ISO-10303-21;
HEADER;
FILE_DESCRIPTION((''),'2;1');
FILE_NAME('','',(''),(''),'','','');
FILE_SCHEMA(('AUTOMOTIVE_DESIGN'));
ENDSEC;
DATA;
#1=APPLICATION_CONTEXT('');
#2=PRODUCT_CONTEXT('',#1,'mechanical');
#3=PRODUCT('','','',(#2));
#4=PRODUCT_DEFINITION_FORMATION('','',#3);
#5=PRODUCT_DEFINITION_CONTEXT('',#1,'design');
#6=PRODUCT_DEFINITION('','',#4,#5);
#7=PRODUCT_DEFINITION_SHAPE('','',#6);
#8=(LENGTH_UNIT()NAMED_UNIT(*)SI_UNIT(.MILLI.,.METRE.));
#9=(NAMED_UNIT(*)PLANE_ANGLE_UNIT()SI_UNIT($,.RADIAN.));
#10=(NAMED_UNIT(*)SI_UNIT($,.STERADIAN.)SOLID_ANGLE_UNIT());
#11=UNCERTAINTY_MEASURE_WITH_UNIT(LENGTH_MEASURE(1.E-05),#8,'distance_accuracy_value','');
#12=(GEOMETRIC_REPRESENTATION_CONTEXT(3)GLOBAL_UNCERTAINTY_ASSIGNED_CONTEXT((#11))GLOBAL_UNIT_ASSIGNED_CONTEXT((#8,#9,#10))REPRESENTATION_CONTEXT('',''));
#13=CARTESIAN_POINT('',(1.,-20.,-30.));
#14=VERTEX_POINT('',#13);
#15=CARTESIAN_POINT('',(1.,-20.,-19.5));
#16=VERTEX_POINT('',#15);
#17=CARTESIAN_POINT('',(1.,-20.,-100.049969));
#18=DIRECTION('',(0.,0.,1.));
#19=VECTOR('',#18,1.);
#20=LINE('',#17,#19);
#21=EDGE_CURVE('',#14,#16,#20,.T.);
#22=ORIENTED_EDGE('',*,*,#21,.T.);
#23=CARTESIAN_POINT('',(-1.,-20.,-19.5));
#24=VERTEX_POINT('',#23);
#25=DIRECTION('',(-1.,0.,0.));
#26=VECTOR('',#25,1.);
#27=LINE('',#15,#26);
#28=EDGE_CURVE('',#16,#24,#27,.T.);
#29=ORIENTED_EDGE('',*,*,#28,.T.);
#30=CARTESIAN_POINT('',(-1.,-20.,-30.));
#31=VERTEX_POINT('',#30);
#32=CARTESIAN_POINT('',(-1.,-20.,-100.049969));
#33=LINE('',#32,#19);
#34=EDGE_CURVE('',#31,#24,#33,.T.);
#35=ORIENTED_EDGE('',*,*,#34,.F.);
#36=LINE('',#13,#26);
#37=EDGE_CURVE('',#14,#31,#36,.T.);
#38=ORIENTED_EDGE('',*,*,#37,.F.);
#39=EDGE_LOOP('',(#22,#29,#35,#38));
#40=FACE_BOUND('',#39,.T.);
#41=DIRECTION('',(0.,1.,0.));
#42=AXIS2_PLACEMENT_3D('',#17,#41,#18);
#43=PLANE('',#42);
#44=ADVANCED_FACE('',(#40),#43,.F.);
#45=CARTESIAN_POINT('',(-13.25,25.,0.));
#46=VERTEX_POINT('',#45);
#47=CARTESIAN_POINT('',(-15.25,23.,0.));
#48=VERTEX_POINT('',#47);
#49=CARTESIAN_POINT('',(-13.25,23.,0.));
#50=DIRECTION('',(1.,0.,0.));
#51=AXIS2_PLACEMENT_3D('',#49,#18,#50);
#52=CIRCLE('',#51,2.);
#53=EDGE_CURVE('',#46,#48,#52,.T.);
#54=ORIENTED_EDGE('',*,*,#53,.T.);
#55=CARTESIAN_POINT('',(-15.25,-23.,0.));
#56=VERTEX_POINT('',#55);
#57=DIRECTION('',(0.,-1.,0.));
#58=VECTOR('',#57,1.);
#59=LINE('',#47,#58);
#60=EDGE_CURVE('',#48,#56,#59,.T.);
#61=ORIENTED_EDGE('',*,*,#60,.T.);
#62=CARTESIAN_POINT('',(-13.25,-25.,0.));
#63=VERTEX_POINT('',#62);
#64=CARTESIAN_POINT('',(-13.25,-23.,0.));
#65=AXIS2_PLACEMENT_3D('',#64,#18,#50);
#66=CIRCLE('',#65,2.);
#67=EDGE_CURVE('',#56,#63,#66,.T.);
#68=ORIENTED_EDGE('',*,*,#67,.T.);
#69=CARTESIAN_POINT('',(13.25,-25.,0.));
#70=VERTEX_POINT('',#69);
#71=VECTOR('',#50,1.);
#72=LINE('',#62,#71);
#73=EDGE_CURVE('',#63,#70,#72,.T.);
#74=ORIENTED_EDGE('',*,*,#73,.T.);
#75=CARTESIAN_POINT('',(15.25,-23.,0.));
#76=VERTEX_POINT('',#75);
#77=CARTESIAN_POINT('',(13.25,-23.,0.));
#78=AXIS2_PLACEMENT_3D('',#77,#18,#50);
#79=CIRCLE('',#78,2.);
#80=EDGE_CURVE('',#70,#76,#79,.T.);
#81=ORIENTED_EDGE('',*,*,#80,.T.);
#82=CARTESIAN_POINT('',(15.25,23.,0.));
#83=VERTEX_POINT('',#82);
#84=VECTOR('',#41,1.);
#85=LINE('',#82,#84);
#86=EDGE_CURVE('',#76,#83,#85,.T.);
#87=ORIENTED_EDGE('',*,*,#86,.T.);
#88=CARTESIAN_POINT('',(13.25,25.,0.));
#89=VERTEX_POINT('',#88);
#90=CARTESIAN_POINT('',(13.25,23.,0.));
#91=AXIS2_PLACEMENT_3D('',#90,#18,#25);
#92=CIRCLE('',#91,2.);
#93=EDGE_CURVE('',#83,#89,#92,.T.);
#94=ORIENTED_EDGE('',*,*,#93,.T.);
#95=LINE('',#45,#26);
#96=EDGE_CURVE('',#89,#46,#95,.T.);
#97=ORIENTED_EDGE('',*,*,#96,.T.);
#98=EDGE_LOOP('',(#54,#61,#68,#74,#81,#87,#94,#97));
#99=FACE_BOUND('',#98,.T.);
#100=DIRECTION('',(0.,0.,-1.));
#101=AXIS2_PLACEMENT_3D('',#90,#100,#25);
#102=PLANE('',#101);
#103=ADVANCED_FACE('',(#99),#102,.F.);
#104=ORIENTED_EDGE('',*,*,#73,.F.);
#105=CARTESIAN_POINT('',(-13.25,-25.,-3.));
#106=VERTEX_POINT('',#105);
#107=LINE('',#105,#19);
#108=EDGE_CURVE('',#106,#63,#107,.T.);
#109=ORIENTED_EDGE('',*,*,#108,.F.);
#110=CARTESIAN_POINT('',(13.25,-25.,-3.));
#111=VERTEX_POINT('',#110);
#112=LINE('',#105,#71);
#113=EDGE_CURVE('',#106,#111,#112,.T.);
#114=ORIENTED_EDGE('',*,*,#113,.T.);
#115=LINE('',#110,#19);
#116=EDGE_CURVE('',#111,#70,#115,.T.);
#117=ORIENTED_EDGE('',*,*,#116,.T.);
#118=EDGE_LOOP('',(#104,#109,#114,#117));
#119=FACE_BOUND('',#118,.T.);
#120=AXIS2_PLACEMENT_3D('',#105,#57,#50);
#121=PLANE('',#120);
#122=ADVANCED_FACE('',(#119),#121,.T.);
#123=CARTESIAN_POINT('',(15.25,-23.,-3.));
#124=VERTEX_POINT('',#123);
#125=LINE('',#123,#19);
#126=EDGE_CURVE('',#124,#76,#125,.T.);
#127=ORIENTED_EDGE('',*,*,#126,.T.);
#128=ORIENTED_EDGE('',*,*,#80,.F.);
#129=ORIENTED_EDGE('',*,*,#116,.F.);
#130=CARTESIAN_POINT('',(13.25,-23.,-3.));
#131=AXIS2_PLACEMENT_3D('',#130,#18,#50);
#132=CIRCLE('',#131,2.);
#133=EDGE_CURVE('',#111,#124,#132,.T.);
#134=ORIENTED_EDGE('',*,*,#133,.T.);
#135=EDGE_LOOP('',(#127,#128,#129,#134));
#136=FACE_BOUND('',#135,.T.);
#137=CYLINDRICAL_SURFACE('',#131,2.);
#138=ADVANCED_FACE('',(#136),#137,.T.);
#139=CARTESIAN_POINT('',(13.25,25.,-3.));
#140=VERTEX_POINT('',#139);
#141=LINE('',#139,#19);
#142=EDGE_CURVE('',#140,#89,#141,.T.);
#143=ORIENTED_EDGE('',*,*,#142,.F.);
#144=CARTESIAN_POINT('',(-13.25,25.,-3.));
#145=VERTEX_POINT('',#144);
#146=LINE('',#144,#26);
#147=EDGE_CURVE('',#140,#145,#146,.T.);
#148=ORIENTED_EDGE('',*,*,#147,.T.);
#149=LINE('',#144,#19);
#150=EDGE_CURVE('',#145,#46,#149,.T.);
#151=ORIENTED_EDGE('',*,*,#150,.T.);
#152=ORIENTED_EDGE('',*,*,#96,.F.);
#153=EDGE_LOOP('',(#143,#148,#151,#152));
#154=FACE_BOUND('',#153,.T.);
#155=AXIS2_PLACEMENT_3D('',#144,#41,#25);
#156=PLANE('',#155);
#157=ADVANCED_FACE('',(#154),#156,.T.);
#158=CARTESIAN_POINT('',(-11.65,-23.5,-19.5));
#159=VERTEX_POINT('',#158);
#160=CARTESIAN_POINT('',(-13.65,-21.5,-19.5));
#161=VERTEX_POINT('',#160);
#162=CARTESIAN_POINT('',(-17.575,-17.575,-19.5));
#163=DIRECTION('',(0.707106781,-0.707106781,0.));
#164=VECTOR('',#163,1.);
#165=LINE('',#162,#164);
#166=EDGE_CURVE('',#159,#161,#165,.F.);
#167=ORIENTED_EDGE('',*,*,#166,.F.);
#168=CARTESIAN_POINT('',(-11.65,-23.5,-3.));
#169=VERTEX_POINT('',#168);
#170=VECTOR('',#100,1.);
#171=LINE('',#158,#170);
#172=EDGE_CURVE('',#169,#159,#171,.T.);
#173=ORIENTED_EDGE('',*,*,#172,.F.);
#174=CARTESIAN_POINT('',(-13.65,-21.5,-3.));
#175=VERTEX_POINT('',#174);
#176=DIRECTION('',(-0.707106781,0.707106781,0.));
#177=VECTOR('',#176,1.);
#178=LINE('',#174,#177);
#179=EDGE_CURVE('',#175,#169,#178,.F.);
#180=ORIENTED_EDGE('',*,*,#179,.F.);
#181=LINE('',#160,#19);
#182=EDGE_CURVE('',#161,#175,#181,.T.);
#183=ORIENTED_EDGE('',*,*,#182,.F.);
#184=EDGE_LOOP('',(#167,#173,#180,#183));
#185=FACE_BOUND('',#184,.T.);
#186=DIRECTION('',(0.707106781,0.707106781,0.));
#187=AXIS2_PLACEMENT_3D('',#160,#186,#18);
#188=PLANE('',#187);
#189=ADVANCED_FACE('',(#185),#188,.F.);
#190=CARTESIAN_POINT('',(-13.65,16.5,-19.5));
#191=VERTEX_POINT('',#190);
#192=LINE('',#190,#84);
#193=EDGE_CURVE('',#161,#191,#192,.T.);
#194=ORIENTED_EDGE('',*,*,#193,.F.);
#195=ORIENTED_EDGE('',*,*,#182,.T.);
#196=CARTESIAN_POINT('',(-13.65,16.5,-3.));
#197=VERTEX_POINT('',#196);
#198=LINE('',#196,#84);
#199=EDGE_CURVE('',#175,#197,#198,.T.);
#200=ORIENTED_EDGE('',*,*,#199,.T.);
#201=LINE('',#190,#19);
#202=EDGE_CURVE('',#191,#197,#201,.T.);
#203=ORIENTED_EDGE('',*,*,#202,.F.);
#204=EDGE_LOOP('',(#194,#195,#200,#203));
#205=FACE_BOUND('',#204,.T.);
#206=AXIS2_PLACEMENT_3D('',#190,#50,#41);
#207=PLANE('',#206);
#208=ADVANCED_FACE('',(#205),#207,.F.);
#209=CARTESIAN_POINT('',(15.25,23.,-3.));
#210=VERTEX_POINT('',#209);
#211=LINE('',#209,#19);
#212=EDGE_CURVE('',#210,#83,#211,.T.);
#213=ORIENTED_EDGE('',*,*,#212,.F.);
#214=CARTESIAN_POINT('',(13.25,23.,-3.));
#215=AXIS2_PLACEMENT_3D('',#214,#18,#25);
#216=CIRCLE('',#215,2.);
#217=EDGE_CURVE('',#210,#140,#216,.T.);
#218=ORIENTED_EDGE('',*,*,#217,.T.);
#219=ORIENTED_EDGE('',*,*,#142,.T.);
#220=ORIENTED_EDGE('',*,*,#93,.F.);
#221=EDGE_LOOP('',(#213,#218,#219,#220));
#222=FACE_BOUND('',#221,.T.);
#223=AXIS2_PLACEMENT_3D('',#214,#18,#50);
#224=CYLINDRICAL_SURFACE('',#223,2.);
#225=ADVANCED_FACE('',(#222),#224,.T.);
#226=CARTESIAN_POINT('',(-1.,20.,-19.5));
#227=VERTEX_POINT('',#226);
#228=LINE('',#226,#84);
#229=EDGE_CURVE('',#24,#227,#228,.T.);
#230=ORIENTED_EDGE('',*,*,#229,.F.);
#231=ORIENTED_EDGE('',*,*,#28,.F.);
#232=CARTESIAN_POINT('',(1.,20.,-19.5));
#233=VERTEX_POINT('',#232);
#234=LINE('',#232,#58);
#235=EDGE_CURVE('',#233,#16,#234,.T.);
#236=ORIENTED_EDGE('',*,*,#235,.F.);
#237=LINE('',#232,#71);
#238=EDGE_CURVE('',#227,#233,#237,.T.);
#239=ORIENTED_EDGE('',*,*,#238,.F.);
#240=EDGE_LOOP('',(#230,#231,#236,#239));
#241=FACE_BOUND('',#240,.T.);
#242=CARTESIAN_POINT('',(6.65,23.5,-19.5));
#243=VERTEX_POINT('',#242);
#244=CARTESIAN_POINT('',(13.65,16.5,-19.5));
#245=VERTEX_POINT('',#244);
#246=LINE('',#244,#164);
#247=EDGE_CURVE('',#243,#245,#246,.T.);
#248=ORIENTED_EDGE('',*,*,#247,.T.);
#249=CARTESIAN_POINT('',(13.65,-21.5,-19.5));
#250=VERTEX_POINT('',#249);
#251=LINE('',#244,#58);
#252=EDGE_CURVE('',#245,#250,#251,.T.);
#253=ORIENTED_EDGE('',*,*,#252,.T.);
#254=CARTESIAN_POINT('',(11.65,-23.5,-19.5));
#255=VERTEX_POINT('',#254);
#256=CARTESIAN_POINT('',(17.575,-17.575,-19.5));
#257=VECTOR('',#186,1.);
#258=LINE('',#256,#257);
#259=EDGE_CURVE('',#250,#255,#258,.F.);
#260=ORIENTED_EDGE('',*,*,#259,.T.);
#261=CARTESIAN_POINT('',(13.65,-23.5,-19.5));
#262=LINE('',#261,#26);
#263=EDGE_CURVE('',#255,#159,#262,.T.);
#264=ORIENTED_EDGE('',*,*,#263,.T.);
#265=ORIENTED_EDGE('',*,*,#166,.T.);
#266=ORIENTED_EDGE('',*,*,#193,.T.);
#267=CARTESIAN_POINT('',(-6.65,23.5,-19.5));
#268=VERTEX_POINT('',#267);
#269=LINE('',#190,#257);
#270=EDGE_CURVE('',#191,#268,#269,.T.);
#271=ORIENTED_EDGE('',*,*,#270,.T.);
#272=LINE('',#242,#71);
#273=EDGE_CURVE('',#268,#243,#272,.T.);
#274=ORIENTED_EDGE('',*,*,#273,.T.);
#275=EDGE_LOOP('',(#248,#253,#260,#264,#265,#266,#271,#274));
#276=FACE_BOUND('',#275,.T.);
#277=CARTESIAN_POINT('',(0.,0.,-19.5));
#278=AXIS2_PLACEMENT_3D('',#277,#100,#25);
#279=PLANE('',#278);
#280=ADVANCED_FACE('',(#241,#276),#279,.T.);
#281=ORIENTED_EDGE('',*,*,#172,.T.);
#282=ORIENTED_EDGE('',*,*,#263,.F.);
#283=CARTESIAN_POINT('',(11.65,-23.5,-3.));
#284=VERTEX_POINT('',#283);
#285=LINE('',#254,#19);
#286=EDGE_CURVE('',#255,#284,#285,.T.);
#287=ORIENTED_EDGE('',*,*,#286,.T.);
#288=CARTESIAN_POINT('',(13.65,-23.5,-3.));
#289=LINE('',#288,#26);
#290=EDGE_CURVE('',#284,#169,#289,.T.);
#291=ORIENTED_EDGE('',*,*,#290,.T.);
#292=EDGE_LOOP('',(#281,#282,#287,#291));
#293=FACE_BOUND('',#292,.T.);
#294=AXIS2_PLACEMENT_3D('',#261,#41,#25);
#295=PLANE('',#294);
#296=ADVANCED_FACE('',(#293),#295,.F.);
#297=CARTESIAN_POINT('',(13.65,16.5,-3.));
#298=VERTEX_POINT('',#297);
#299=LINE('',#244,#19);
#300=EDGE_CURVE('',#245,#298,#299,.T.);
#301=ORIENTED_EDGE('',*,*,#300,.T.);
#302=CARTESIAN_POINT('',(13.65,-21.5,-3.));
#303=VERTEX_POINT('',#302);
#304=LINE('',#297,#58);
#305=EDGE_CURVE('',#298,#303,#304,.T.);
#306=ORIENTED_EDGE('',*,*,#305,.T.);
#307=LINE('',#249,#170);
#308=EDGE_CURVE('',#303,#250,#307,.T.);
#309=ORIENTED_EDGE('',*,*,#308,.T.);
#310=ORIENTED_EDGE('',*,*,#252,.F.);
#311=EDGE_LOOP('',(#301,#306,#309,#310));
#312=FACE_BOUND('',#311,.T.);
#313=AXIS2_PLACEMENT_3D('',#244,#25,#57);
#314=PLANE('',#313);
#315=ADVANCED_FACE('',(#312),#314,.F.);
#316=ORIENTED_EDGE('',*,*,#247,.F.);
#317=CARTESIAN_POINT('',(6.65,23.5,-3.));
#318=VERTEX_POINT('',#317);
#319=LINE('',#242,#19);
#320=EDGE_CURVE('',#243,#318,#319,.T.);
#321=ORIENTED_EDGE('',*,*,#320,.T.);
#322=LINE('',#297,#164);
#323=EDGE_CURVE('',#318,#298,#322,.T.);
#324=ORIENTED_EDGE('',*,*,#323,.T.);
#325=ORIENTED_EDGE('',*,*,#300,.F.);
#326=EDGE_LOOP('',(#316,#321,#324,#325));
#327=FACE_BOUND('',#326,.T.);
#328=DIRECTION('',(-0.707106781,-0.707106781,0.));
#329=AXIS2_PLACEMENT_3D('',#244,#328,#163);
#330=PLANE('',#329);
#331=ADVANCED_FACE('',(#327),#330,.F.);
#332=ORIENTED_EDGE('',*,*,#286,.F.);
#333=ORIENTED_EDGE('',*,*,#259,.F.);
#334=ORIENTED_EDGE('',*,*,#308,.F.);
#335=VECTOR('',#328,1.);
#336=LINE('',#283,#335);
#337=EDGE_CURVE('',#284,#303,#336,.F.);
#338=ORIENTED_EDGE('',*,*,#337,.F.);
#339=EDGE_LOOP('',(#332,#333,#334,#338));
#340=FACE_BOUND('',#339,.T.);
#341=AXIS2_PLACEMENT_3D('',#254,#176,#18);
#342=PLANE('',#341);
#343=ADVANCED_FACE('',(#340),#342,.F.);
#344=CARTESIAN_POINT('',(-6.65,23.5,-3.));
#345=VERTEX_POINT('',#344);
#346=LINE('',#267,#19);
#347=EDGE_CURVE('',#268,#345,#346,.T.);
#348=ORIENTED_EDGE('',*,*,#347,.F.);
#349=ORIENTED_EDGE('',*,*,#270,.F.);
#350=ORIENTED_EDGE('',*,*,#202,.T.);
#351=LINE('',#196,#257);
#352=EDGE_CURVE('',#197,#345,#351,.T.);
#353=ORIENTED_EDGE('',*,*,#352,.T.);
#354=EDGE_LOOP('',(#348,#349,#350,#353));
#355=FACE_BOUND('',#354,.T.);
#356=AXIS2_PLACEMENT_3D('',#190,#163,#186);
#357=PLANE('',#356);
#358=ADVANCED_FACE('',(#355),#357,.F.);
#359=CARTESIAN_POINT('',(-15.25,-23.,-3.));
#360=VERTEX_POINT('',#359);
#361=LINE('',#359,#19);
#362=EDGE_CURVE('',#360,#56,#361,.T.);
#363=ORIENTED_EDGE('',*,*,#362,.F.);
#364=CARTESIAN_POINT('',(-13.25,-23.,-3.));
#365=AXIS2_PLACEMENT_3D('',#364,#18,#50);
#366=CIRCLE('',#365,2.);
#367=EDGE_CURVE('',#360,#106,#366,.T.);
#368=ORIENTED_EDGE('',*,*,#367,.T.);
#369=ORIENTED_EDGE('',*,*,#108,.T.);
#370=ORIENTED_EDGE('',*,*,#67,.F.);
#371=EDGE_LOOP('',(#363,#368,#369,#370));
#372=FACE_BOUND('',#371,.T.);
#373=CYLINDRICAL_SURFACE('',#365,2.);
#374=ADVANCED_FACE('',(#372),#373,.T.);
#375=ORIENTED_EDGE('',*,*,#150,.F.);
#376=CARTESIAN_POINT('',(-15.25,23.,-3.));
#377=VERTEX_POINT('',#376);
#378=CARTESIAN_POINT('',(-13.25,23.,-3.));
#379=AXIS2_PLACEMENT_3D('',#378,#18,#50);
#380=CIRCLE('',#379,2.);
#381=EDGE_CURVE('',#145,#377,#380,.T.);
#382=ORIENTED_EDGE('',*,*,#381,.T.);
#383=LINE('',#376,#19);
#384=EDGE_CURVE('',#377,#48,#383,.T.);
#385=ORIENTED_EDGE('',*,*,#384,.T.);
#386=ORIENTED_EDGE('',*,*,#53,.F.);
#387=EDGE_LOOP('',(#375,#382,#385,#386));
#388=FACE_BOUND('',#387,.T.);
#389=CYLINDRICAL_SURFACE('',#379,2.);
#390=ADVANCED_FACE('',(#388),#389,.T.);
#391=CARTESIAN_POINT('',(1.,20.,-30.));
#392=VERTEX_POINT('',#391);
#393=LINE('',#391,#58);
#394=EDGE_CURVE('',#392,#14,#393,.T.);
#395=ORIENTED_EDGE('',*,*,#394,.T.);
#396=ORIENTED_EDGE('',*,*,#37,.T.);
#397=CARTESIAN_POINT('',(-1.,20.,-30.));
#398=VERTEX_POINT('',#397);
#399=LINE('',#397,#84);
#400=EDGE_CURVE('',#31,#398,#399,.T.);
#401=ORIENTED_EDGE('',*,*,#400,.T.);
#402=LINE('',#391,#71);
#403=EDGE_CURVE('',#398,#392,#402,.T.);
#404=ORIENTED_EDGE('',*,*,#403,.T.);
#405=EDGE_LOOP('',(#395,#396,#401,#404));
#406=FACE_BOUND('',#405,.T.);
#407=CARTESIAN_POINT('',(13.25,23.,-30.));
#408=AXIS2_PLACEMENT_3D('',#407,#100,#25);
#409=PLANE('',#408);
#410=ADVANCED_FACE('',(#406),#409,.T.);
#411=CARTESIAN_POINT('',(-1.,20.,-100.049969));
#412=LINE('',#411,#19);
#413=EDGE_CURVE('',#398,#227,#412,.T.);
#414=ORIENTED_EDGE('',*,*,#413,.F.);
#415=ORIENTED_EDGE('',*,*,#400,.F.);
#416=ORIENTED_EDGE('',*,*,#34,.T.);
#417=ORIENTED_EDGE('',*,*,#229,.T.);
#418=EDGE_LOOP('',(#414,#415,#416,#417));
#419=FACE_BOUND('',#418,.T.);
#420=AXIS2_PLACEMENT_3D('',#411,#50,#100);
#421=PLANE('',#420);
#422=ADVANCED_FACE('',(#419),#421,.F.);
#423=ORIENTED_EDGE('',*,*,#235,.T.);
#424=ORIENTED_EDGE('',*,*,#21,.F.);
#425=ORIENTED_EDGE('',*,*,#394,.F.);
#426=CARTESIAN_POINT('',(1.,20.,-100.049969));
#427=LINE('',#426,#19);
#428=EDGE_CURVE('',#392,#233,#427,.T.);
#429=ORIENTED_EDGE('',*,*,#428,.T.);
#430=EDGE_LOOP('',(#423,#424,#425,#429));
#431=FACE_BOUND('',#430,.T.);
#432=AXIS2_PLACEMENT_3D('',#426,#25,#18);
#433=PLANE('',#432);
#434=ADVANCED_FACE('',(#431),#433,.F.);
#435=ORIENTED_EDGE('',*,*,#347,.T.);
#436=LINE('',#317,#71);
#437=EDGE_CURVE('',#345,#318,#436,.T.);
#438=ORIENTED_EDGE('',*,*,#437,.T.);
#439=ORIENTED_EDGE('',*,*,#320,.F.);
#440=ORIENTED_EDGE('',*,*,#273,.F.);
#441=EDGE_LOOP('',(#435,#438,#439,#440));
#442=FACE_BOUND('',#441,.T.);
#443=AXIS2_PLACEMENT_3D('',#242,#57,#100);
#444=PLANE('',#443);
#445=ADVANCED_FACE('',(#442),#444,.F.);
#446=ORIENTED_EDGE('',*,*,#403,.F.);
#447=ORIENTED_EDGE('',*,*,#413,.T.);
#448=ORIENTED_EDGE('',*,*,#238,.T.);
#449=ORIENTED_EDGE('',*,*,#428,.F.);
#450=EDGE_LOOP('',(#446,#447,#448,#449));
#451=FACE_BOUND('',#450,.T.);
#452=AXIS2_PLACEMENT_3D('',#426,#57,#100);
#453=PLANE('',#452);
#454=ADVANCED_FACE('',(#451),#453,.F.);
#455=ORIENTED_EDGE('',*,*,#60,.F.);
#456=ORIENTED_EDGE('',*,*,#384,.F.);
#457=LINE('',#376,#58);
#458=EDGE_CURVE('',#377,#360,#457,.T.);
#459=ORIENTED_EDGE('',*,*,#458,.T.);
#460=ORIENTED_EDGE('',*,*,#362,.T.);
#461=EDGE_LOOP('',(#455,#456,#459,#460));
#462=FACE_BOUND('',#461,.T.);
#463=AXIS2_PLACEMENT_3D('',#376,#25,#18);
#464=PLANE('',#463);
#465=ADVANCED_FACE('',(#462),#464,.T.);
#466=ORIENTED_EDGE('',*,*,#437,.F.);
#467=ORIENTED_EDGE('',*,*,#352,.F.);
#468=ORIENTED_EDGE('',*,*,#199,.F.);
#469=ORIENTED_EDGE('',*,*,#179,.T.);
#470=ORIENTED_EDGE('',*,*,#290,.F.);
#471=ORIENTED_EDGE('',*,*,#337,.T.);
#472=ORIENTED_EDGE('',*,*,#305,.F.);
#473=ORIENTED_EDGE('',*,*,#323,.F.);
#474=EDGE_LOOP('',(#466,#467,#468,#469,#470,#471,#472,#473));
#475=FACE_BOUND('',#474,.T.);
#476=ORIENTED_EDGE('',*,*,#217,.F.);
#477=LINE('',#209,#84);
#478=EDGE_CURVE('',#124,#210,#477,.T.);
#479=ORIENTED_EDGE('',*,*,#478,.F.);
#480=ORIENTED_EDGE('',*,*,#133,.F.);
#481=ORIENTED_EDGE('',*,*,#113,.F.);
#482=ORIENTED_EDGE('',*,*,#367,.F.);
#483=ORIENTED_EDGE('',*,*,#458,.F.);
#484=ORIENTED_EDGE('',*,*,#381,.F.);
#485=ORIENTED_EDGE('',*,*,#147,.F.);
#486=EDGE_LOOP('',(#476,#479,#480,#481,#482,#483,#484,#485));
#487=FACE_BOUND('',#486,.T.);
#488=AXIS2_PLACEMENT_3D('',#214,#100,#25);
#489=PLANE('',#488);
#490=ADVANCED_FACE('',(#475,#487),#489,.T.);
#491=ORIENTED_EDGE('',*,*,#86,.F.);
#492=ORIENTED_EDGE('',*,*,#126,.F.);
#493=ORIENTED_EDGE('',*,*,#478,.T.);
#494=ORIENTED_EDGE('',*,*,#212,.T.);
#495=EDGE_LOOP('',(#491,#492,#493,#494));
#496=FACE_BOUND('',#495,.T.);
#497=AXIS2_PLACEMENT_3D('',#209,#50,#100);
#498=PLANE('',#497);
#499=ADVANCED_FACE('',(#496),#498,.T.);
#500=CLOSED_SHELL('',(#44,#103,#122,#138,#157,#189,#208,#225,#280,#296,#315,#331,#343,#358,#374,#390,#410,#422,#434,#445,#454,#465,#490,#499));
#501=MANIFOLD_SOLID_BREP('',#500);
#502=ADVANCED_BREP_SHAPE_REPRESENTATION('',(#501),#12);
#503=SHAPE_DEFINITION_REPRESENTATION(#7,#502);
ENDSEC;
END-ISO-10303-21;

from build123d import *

# Parameters (mm, degrees)
BOSS_EXTRUDE1_DEPTH = 3
BOSS_EXTRUDE2_DEPTH = 16.5
CHAMFER1_SIZE       = 2
SKETCH4_W           = 2
SKETCH4_H           = 40
BOSS_EXTRUDE3_DEPTH = 10.5


with BuildPart() as part:
    # Sketch1 → Boss-Extrude1 (new body)
    with BuildSketch(Plane.XY):
        with BuildLine():
            Line((-13.25, 25), (13.25, 25))
            ThreePointArc((13.25, 25), (14.664213562, 24.414213562), (15.25, 23))
            Line((15.25, 23), (15.25, -23))
            ThreePointArc((15.25, -23), (14.664213562, -24.414213562), (13.25, -25))
            Line((13.25, -25), (-13.25, -25))
            ThreePointArc((-13.25, -25), (-14.664213562, -24.414213562), (-15.25, -23))
            Line((-15.25, -23), (-15.25, 23))
            ThreePointArc((-15.25, 23), (-14.664213562, 24.414213562), (-13.25, 25))
        make_face()
    extrude(amount=-BOSS_EXTRUDE1_DEPTH)

    # Sketch2 → Boss-Extrude2 (add)
    with BuildSketch(Plane(origin=(0, 0, -3), x_dir=(-1, 0, 0), z_dir=(0, 0, -1))):
        Polygon((-13.65, 16.5), (-6.65, 23.5), (6.65, 23.5), (13.65, 16.5), (13.65, -23.5), (-13.65, -23.5), align=None)
    extrude(amount=BOSS_EXTRUDE2_DEPTH)

    # Chamfer1
    chamfer1_edges = [part.edges().sort_by_distance(p)[0] for p in [
        (-13.65, -23.5, -11.25),
        (13.65, -23.5, -11.25),
    ]]
    chamfer(chamfer1_edges, length=CHAMFER1_SIZE)

    # Sketch4 → Boss-Extrude3 (add)
    with BuildSketch(Plane(origin=(0, 0, -19.5), x_dir=(-1, 0, 0), z_dir=(0, 0, -1))):
        Rectangle(SKETCH4_W, SKETCH4_H)
    extrude(amount=BOSS_EXTRUDE3_DEPTH)


solid = part.part
